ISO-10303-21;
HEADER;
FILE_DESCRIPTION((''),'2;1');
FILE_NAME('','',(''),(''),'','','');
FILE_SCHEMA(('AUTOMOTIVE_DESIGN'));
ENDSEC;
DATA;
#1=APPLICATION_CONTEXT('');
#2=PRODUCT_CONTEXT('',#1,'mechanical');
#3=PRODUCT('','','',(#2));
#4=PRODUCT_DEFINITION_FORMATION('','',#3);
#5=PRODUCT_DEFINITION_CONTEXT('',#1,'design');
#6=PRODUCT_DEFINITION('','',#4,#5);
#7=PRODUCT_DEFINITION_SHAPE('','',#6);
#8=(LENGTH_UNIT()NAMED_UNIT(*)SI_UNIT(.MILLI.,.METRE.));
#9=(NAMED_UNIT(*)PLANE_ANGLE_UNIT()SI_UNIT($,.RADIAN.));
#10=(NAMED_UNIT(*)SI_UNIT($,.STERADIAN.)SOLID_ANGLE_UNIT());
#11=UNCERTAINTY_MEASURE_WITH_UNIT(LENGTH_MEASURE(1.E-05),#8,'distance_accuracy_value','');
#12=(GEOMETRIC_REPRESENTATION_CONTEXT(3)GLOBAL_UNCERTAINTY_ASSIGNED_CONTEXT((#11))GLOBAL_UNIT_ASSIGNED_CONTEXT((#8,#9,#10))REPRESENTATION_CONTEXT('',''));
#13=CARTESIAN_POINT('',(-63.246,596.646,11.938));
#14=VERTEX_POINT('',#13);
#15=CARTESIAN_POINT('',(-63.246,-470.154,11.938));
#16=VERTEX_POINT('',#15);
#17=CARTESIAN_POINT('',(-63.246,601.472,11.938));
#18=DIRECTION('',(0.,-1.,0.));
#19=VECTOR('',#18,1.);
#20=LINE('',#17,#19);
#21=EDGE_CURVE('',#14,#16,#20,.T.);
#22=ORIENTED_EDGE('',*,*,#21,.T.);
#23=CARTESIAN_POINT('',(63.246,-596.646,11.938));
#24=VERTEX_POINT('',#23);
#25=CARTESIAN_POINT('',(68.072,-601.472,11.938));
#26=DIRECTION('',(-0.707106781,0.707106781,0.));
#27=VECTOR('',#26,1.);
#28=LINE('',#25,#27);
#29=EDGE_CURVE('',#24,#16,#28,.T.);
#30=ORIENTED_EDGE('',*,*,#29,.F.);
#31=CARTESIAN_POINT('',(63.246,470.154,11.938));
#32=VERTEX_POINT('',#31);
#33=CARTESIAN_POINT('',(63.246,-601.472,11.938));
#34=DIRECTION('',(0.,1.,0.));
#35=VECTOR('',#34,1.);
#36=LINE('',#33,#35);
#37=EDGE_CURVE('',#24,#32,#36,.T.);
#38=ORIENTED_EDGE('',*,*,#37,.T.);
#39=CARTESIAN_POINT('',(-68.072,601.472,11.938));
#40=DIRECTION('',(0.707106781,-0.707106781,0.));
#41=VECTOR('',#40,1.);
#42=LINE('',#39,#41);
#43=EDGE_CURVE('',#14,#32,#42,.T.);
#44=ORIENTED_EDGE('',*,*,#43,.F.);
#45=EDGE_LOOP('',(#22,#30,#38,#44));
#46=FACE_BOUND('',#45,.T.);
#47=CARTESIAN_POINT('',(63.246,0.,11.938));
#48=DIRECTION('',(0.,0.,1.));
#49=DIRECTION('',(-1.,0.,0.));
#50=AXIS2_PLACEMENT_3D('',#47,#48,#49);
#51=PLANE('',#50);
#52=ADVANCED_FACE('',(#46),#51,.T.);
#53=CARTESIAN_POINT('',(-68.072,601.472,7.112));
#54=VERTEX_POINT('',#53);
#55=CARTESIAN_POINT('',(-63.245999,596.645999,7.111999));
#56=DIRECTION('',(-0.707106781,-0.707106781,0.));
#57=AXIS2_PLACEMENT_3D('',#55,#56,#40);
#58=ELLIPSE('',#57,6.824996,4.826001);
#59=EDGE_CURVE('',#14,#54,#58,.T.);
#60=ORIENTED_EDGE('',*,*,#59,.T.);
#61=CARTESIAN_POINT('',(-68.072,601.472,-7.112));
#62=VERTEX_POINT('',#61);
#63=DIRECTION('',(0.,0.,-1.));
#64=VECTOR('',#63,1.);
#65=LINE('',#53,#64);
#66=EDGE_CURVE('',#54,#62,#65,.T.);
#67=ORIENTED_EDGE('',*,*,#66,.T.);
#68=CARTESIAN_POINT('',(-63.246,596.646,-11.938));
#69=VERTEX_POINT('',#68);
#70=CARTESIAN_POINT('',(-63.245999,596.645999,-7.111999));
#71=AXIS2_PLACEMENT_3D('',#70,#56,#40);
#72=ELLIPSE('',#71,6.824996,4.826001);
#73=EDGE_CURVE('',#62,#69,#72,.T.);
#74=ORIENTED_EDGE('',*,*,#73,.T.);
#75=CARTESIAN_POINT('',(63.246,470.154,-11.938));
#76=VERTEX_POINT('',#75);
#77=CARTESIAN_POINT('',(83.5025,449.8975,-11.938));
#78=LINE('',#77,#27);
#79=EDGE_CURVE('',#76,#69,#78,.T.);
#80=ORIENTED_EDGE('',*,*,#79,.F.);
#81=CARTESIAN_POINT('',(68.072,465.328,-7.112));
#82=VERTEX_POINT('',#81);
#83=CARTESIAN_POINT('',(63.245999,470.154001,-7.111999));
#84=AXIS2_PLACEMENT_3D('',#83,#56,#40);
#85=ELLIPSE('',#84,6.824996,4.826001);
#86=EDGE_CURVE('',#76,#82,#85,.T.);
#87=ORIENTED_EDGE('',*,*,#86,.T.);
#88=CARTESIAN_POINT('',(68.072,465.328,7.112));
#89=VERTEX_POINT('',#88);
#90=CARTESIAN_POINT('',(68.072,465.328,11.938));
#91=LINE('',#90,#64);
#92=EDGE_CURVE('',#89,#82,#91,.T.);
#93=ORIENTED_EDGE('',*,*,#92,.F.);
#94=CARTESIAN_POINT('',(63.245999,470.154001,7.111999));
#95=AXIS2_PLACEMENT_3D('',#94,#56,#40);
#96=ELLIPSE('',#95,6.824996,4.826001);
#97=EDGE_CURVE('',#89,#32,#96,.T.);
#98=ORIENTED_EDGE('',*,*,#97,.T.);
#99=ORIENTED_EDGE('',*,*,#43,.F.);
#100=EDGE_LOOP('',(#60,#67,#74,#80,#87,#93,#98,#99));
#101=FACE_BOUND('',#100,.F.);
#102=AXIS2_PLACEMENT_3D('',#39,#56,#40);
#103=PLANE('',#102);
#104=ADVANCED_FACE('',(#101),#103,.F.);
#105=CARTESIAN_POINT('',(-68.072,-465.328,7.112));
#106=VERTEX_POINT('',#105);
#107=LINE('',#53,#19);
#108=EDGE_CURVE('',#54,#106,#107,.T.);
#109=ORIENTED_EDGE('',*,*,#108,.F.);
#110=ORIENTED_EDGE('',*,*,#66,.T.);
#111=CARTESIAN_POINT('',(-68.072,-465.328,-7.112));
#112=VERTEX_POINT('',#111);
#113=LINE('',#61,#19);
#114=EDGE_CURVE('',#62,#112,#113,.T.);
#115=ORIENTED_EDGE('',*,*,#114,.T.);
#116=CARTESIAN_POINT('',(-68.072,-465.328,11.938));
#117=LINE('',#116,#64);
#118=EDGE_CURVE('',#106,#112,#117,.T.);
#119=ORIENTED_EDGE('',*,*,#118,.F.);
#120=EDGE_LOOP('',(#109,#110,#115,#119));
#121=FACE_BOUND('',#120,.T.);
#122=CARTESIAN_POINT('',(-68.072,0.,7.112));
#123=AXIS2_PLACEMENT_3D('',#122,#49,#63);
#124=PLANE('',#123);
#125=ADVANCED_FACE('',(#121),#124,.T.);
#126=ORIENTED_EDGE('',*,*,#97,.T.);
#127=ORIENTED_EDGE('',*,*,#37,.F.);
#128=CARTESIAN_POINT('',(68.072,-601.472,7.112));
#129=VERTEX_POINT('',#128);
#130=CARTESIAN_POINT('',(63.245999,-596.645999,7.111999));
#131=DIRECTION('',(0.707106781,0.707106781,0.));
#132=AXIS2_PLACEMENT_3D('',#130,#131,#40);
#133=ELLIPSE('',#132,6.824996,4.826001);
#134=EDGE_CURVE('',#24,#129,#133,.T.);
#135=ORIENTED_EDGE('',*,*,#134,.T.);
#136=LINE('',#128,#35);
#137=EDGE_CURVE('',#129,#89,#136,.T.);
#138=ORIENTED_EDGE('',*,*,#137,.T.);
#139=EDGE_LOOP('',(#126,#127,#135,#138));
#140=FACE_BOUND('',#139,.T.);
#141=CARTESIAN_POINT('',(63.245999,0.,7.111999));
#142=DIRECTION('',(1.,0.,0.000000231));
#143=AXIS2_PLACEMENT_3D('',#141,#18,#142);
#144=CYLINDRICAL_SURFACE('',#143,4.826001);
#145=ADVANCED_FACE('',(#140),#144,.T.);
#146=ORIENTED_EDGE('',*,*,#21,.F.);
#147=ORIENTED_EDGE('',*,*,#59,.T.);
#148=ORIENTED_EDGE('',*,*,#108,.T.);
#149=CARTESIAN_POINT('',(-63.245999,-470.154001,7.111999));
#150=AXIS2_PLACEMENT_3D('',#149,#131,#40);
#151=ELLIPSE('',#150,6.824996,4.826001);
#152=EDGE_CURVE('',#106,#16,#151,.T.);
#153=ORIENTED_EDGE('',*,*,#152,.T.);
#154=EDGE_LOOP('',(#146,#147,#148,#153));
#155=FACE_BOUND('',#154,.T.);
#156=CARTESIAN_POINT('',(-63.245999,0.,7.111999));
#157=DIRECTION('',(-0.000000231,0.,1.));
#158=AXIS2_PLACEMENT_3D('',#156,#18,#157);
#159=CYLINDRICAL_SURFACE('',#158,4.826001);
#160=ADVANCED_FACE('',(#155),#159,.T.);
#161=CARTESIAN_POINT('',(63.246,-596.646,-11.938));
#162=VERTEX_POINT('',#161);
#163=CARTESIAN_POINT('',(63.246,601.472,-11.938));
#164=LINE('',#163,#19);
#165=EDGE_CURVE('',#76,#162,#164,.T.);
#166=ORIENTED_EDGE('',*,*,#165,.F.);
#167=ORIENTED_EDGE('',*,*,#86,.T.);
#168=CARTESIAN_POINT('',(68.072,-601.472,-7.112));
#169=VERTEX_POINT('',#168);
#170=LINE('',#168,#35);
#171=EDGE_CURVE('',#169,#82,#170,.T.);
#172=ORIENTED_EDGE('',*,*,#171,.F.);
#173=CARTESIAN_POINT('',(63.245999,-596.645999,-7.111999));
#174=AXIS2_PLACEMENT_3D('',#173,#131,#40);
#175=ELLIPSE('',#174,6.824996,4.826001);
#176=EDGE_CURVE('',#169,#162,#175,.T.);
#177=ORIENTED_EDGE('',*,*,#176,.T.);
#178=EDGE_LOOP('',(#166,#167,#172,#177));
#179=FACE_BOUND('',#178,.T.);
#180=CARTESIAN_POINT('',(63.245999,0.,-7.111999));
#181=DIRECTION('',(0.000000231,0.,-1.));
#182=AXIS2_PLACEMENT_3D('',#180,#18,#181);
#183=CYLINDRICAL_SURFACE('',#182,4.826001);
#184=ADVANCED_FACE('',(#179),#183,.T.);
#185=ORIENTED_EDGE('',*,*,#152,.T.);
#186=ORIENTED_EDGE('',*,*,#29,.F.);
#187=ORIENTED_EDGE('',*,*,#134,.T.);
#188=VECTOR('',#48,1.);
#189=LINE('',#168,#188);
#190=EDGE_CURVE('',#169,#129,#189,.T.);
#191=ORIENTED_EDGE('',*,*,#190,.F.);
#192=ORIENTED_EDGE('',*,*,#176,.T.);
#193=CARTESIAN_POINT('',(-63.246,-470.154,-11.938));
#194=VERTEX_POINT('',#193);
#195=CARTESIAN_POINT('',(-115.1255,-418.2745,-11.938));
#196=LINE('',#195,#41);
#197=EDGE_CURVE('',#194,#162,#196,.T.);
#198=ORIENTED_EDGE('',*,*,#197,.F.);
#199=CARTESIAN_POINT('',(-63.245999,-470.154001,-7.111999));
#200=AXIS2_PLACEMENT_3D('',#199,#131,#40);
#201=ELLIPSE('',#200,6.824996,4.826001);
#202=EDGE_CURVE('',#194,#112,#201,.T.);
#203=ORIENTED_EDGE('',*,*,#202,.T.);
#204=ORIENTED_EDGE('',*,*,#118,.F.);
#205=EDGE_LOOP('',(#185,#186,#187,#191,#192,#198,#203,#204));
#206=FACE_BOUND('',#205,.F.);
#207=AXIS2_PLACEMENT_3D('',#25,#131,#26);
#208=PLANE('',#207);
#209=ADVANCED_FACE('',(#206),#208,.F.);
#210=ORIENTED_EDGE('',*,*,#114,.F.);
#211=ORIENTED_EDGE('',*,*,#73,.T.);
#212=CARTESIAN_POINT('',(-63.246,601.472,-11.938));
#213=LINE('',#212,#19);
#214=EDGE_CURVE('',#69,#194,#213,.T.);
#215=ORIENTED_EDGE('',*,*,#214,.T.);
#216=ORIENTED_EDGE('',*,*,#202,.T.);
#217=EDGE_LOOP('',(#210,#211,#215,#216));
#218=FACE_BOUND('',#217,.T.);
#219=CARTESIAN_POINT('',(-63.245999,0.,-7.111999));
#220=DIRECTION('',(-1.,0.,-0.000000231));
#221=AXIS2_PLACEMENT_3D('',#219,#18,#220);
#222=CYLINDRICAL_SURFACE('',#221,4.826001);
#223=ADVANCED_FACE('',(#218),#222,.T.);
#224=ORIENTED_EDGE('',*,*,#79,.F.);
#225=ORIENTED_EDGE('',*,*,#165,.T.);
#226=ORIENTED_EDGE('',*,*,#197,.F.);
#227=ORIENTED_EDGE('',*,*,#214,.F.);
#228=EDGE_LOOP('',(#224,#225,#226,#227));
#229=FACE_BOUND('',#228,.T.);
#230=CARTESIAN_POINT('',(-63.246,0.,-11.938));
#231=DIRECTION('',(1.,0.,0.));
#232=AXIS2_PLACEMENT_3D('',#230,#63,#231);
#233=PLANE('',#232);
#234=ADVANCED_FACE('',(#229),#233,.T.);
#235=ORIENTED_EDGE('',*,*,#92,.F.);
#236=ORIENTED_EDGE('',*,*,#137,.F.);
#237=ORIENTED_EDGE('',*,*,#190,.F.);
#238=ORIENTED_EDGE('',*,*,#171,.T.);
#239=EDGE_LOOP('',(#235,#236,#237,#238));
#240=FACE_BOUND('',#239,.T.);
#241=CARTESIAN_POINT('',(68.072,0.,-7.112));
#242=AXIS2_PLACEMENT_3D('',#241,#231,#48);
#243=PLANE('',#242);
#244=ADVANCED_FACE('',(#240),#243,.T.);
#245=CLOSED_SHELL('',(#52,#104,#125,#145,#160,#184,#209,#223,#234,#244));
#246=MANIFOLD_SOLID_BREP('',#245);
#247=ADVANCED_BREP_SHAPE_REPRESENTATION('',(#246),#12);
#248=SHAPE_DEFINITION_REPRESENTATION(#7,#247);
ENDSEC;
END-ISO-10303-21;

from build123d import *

# Parameters (mm, degrees)
F1_DEPTH = 601.472
F3_DEPTH = 23.877


with BuildPart() as f1:
    # F0 (on Front) → F1 (new body, symmetric)
    with BuildSketch(Plane.XZ):
        with BuildLine():
            Line((63.246, 11.938), (-63.246, 11.938))
            ThreePointArc((-63.246, 11.938), (-66.658497, 10.524497), (-68.072, 7.112))
            Line((-68.072, 7.112), (-68.072, -7.112))
            ThreePointArc((-68.072, -7.112), (-66.658497, -10.524497), (-63.246, -11.938))
            Line((-63.246, -11.938), (63.246, -11.938))
            ThreePointArc((63.246, -11.938), (66.658497, -10.524497), (68.072, -7.112))
            Line((68.072, -7.112), (68.072, 7.112))
            ThreePointArc((68.072, 7.112), (66.658497, 10.524497), (63.246, 11.938))
        make_face()
    extrude(amount=F1_DEPTH, both=True)

    # F2 (on face) → F3 (cut, through all)
    with BuildSketch(Plane.XY.offset(11.938)):
        Polygon((-68.072, -601.472), (68.072, -601.472), (-68.072, -465.328), align=None)
        Polygon((68.072, 601.472), (-68.072, 601.472), (68.072, 465.328), align=None)
    extrude(amount=-F3_DEPTH, mode=Mode.SUBTRACT)


solid = f1.part
